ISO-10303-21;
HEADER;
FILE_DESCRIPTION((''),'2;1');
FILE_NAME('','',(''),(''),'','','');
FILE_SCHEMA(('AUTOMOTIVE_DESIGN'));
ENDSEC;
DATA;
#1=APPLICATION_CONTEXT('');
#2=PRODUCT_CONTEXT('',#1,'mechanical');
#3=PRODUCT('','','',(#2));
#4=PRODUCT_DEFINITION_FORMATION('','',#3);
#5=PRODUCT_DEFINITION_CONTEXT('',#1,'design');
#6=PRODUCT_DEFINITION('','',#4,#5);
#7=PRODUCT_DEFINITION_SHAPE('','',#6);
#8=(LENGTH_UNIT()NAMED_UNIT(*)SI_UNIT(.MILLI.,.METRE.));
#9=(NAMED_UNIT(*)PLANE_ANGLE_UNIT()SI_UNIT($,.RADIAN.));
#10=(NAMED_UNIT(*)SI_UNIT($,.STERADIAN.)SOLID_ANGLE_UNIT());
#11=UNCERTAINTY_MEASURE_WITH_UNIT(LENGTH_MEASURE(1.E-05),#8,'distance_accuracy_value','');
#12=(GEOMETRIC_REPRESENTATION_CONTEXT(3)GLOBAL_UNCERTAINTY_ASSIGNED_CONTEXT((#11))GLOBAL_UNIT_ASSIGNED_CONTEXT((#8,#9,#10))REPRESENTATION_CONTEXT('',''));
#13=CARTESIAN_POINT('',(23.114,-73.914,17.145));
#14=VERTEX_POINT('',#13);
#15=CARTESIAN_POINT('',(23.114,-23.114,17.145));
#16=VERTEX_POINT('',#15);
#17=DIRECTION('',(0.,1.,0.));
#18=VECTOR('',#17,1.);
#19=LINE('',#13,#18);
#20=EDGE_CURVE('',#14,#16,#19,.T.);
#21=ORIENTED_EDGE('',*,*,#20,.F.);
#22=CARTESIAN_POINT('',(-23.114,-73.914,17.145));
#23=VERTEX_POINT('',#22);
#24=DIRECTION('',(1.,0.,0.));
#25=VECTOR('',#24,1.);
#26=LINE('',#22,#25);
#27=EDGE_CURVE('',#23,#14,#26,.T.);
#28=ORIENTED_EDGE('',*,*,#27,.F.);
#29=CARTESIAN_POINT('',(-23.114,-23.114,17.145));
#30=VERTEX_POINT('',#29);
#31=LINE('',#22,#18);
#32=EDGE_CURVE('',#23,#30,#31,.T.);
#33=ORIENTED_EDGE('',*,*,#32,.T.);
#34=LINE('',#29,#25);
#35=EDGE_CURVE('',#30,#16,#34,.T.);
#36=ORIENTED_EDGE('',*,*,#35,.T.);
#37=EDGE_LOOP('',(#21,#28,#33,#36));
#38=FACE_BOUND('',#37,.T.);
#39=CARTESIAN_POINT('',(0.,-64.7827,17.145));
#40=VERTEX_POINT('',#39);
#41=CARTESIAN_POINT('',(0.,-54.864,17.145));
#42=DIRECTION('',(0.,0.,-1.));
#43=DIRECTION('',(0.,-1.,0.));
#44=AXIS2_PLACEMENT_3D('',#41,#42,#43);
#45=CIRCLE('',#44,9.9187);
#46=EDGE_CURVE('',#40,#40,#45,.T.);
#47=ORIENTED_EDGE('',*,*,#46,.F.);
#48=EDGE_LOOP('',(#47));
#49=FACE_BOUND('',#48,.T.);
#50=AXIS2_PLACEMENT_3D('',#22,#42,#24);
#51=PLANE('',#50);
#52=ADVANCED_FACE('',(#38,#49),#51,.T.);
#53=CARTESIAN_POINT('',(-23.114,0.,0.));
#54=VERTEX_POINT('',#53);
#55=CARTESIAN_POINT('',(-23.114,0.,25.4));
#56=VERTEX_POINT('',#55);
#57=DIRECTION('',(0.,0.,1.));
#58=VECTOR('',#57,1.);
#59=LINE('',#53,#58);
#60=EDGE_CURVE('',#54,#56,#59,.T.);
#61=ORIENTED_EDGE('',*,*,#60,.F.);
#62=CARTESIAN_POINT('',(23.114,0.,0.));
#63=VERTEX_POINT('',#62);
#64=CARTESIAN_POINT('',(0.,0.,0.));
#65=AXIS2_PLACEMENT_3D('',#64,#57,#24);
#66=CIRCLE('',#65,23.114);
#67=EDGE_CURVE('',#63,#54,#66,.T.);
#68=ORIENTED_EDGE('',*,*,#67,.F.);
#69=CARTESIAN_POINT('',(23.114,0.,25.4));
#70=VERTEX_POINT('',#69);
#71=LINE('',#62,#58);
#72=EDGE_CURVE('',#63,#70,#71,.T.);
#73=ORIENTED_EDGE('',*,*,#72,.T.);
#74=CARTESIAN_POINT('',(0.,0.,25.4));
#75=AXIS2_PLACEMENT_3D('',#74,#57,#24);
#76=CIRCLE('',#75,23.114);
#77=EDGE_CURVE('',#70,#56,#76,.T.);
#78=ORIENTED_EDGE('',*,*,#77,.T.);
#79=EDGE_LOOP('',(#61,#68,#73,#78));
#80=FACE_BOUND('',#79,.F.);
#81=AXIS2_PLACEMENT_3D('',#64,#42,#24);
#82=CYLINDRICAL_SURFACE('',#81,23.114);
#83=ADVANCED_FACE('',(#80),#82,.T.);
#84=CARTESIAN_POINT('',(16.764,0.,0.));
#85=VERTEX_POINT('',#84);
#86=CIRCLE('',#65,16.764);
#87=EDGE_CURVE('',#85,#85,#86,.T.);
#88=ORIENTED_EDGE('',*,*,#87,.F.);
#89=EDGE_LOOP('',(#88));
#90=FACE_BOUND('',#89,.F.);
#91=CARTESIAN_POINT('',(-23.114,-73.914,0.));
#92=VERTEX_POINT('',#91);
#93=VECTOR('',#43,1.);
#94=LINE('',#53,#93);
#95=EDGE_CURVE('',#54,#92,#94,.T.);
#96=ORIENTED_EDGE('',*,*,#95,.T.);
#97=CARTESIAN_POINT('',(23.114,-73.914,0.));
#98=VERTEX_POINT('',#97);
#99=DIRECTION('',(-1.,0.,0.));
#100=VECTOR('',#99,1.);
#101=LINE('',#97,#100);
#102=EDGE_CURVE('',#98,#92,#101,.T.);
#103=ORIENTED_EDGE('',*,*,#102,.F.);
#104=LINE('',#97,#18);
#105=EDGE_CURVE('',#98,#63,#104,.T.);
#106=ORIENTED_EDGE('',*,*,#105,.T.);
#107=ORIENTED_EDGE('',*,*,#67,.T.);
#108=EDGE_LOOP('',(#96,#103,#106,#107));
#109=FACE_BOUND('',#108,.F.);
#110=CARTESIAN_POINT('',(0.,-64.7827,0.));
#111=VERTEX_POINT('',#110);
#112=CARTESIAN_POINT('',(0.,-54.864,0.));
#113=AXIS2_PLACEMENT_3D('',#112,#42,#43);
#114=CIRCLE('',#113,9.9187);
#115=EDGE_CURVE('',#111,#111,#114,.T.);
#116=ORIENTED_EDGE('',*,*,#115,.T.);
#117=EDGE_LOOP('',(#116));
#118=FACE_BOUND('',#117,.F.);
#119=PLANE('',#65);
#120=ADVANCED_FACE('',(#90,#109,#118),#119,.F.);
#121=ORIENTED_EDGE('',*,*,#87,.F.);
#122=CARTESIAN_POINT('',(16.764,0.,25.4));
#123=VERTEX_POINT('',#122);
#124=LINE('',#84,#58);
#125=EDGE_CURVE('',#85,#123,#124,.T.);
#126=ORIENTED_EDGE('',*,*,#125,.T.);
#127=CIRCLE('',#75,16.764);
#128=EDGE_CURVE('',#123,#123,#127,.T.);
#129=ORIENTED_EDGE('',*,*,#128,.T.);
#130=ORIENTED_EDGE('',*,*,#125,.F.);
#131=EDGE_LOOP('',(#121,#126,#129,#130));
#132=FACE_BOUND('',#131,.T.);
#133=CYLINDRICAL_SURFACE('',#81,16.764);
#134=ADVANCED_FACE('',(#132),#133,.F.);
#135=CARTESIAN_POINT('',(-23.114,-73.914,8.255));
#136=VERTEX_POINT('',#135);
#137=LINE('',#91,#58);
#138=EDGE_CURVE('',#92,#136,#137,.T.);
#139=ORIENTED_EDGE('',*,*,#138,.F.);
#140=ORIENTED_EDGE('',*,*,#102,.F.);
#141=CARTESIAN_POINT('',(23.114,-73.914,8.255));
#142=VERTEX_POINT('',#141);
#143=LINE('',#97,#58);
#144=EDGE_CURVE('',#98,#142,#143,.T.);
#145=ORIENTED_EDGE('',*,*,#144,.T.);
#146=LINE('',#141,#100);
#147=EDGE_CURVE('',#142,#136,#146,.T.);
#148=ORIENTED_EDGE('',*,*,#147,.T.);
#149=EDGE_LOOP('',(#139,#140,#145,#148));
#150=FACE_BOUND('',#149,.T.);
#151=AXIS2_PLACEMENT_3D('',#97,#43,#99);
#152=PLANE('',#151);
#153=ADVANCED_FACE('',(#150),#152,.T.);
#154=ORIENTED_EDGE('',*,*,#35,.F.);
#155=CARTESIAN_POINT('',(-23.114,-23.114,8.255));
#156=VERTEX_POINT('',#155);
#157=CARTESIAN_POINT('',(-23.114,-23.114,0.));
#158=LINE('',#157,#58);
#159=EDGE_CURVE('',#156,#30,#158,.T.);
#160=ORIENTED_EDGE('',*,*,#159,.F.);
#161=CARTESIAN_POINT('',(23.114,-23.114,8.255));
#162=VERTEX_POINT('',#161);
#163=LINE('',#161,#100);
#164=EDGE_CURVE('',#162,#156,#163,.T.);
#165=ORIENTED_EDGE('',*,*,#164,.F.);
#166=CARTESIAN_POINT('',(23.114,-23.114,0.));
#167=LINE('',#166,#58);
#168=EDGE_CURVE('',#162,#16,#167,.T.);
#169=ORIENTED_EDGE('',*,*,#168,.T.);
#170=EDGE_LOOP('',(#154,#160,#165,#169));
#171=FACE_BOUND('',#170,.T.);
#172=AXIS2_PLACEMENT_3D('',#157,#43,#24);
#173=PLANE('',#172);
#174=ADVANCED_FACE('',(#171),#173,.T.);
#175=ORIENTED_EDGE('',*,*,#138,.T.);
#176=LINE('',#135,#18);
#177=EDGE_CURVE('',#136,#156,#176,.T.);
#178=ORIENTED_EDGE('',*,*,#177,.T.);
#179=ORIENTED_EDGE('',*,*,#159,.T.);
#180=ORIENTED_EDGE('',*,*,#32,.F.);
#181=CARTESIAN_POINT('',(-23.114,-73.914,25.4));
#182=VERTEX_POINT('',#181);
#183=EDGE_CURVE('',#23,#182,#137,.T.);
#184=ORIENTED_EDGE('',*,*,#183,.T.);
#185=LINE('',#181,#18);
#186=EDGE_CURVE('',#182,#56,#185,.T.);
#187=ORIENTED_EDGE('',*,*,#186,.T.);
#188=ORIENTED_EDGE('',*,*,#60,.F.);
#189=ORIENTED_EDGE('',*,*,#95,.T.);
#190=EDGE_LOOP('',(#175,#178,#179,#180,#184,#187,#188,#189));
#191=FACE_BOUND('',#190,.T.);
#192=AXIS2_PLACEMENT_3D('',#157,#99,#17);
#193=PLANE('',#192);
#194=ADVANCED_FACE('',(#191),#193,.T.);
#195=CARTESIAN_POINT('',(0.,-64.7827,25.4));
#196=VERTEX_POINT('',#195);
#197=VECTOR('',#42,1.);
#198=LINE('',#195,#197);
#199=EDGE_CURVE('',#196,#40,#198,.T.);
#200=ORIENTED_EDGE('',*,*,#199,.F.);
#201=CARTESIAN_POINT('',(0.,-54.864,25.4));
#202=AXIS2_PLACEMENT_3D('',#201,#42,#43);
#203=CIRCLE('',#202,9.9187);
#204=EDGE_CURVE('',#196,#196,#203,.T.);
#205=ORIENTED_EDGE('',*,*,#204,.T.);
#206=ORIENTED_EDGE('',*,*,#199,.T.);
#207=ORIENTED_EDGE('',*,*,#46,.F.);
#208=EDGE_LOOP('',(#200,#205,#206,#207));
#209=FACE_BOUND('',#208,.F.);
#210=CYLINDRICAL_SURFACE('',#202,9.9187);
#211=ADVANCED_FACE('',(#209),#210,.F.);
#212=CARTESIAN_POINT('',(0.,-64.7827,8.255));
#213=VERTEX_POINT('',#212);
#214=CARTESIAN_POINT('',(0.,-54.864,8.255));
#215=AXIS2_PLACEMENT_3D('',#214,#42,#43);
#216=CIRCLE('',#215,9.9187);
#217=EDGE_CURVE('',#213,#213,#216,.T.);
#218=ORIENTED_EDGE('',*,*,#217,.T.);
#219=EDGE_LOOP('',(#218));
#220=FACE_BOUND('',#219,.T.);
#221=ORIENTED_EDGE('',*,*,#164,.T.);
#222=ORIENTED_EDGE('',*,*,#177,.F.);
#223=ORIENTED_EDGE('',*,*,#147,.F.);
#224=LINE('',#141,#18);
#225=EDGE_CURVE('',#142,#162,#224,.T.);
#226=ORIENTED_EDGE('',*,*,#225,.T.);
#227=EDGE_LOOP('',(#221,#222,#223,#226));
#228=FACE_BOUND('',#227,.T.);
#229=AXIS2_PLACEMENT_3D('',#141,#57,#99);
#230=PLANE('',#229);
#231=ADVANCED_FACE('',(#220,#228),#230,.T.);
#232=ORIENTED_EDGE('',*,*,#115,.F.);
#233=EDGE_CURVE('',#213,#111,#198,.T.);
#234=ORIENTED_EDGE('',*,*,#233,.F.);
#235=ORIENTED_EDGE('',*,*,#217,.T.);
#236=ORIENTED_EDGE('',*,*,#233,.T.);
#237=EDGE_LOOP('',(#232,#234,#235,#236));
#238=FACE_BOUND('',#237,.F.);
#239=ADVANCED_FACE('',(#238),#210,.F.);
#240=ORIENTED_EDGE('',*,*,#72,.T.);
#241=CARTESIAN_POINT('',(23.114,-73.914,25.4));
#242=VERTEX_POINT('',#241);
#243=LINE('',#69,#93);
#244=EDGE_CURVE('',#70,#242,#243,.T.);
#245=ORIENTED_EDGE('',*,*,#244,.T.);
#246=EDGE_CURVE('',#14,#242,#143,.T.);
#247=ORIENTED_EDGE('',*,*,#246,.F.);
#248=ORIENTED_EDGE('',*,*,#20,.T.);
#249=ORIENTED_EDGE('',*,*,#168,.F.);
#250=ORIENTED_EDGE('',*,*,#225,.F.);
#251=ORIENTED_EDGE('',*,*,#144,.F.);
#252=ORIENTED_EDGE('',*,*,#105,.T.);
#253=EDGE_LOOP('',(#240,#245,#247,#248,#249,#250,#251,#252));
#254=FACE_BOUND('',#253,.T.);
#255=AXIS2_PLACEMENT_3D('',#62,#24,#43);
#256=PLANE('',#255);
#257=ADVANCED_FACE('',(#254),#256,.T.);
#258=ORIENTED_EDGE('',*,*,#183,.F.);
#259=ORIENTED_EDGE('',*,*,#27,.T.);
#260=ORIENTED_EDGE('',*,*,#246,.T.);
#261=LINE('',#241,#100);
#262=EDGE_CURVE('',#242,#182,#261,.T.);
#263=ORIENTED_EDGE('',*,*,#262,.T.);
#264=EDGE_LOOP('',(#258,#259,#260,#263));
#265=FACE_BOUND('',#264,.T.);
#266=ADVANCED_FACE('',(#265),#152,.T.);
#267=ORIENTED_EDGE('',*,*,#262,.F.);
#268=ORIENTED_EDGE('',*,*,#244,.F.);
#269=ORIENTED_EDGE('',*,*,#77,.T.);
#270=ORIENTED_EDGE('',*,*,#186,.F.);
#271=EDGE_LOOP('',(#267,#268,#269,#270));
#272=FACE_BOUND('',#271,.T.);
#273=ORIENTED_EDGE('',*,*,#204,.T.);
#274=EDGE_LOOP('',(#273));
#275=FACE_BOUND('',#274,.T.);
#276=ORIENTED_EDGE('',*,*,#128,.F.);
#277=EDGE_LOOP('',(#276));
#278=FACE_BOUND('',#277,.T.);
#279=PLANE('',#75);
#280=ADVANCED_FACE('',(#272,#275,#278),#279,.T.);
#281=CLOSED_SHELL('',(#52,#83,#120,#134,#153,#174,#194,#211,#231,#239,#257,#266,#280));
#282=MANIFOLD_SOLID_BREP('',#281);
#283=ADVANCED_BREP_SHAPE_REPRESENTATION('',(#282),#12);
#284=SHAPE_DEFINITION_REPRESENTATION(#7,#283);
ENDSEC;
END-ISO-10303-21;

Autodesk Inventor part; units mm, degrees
ref_plane "YZ Plane" through (0, 0, 0) normal (1, 0, 0) x (0, 1, 0)
ref_plane "XZ Plane" through (0, 0, 0) normal (0, 1, 0) x (-1, 0, 0)
ref_plane "XY Plane" through (0, 0, 0) normal (0, 0, 1) x (1, 0, 0)
sketch "Sketch1" plane through (0, 0, 0) normal (0, 0, 1) x (1, 0, 0)
  circle A0 centre (0, 0) radius 16.764
  circle A1 centre (0, 0) radius 23.114
  line L0 (23.114, 0) -> (23.114, -73.914)
  line L1 (23.114, -73.914) -> (-23.114, -73.914)
  line L2 (-23.114, -73.914) -> (-23.114, 0)
  line L3 (23.114, -23.114) -> (0, -23.114)
  line L4 (-23.114, -23.114) -> (0, -23.114)
  dimension "d0" = 33.528
  dimension "d1" = 6.35
  dimension "d23" = 50.8
extrude "Extrusion2" add sketch "Sketch1" along normal blind 25.4
sketch "Sketch3" plane through (0, 0, 25.4) normal (0, 0, 1) x (1, 0, 0)
  line L0 (-23.114, 0) -> (-23.114, -73.914) projected
  line L1 (23.114, -73.914) -> (23.114, 0) projected
  line L2 (-23.114, -73.914) -> (23.114, -73.914)
  line L3 (23.114, -73.914) -> (23.114, -23.114)
  line L4 (23.114, -23.114) -> (-23.114, -23.114)
  line L5 (-23.114, -23.114) -> (-23.114, -73.914)
  arc A0 (23.114, 0) -> (-23.114, 0) centre (0, 0) ccw projected
  circle A1 centre (0, 0) radius 23.114
  line L6 (-23.114, -73.914) -> (23.114, -73.914) projected
  line L7 (0, -23.114) -> (0, -73.914)
  point P0 (0, -54.864)
  dimension "d24" = 19.05
hole "Hole1" at (0, -54.864, 25.4) direction (0, 0, -1) diameter 19.8374 end through all clearance for "Hex Head Bolt" size "3/4" standard "Ansi Unified Screw Threads"
sketch "Sketch6" plane through (-23.114, -73.914, 0) normal (0, -1, 0) x (1, 0, 0)
  line L0 (46.228, 0) -> (46.228, 25.4) projected
  line L1 (0, 0) -> (0, 25.4) projected
  line L2 (46.228, 8.255) -> (0, 8.255)
  line L3 (0, 8.255) -> (0, 17.145)
  line L4 (0, 17.145) -> (46.228, 17.145)
  line L5 (46.228, 17.145) -> (46.228, 8.255)
  line L6 (46.228, 25.4) -> (0, 25.4) projected
  line L7 (46.228, 0) -> (0, 0) projected
  point P0 (23.114, 0)
  dimension "d18" = 8.89
  dimension "d19" = 8.255
extrude "Extrusion3" cut sketch "Sketch6" against normal blind 50.8 contours L2 L1 L4 L0
sketch "Sketch7" plane through (0, 0, 25.4) normal (0, 0, 1) x (1, 0, 0)
  circle A0 centre (0, -54.864) radius 9.9187 projected
  circle A1 centre (0, 0) radius 16.764 projected
  dimension "d25" = 54.864
equation "\"d23\" = MountingArmLength"
equation "\"d19\" = ArmWidth"
equation "\"d20\" = MountingArmLength"
equation "\"ArmWidth\" = -0.5 * d18 + 0.5 * d7"
equation "\"ArmOffsetDist\" = d25"
equation "\"MountingArmLength\" = 50.8"
equation "\"d7\" = 25.4"
properties part number "FrameMountingBracket"
